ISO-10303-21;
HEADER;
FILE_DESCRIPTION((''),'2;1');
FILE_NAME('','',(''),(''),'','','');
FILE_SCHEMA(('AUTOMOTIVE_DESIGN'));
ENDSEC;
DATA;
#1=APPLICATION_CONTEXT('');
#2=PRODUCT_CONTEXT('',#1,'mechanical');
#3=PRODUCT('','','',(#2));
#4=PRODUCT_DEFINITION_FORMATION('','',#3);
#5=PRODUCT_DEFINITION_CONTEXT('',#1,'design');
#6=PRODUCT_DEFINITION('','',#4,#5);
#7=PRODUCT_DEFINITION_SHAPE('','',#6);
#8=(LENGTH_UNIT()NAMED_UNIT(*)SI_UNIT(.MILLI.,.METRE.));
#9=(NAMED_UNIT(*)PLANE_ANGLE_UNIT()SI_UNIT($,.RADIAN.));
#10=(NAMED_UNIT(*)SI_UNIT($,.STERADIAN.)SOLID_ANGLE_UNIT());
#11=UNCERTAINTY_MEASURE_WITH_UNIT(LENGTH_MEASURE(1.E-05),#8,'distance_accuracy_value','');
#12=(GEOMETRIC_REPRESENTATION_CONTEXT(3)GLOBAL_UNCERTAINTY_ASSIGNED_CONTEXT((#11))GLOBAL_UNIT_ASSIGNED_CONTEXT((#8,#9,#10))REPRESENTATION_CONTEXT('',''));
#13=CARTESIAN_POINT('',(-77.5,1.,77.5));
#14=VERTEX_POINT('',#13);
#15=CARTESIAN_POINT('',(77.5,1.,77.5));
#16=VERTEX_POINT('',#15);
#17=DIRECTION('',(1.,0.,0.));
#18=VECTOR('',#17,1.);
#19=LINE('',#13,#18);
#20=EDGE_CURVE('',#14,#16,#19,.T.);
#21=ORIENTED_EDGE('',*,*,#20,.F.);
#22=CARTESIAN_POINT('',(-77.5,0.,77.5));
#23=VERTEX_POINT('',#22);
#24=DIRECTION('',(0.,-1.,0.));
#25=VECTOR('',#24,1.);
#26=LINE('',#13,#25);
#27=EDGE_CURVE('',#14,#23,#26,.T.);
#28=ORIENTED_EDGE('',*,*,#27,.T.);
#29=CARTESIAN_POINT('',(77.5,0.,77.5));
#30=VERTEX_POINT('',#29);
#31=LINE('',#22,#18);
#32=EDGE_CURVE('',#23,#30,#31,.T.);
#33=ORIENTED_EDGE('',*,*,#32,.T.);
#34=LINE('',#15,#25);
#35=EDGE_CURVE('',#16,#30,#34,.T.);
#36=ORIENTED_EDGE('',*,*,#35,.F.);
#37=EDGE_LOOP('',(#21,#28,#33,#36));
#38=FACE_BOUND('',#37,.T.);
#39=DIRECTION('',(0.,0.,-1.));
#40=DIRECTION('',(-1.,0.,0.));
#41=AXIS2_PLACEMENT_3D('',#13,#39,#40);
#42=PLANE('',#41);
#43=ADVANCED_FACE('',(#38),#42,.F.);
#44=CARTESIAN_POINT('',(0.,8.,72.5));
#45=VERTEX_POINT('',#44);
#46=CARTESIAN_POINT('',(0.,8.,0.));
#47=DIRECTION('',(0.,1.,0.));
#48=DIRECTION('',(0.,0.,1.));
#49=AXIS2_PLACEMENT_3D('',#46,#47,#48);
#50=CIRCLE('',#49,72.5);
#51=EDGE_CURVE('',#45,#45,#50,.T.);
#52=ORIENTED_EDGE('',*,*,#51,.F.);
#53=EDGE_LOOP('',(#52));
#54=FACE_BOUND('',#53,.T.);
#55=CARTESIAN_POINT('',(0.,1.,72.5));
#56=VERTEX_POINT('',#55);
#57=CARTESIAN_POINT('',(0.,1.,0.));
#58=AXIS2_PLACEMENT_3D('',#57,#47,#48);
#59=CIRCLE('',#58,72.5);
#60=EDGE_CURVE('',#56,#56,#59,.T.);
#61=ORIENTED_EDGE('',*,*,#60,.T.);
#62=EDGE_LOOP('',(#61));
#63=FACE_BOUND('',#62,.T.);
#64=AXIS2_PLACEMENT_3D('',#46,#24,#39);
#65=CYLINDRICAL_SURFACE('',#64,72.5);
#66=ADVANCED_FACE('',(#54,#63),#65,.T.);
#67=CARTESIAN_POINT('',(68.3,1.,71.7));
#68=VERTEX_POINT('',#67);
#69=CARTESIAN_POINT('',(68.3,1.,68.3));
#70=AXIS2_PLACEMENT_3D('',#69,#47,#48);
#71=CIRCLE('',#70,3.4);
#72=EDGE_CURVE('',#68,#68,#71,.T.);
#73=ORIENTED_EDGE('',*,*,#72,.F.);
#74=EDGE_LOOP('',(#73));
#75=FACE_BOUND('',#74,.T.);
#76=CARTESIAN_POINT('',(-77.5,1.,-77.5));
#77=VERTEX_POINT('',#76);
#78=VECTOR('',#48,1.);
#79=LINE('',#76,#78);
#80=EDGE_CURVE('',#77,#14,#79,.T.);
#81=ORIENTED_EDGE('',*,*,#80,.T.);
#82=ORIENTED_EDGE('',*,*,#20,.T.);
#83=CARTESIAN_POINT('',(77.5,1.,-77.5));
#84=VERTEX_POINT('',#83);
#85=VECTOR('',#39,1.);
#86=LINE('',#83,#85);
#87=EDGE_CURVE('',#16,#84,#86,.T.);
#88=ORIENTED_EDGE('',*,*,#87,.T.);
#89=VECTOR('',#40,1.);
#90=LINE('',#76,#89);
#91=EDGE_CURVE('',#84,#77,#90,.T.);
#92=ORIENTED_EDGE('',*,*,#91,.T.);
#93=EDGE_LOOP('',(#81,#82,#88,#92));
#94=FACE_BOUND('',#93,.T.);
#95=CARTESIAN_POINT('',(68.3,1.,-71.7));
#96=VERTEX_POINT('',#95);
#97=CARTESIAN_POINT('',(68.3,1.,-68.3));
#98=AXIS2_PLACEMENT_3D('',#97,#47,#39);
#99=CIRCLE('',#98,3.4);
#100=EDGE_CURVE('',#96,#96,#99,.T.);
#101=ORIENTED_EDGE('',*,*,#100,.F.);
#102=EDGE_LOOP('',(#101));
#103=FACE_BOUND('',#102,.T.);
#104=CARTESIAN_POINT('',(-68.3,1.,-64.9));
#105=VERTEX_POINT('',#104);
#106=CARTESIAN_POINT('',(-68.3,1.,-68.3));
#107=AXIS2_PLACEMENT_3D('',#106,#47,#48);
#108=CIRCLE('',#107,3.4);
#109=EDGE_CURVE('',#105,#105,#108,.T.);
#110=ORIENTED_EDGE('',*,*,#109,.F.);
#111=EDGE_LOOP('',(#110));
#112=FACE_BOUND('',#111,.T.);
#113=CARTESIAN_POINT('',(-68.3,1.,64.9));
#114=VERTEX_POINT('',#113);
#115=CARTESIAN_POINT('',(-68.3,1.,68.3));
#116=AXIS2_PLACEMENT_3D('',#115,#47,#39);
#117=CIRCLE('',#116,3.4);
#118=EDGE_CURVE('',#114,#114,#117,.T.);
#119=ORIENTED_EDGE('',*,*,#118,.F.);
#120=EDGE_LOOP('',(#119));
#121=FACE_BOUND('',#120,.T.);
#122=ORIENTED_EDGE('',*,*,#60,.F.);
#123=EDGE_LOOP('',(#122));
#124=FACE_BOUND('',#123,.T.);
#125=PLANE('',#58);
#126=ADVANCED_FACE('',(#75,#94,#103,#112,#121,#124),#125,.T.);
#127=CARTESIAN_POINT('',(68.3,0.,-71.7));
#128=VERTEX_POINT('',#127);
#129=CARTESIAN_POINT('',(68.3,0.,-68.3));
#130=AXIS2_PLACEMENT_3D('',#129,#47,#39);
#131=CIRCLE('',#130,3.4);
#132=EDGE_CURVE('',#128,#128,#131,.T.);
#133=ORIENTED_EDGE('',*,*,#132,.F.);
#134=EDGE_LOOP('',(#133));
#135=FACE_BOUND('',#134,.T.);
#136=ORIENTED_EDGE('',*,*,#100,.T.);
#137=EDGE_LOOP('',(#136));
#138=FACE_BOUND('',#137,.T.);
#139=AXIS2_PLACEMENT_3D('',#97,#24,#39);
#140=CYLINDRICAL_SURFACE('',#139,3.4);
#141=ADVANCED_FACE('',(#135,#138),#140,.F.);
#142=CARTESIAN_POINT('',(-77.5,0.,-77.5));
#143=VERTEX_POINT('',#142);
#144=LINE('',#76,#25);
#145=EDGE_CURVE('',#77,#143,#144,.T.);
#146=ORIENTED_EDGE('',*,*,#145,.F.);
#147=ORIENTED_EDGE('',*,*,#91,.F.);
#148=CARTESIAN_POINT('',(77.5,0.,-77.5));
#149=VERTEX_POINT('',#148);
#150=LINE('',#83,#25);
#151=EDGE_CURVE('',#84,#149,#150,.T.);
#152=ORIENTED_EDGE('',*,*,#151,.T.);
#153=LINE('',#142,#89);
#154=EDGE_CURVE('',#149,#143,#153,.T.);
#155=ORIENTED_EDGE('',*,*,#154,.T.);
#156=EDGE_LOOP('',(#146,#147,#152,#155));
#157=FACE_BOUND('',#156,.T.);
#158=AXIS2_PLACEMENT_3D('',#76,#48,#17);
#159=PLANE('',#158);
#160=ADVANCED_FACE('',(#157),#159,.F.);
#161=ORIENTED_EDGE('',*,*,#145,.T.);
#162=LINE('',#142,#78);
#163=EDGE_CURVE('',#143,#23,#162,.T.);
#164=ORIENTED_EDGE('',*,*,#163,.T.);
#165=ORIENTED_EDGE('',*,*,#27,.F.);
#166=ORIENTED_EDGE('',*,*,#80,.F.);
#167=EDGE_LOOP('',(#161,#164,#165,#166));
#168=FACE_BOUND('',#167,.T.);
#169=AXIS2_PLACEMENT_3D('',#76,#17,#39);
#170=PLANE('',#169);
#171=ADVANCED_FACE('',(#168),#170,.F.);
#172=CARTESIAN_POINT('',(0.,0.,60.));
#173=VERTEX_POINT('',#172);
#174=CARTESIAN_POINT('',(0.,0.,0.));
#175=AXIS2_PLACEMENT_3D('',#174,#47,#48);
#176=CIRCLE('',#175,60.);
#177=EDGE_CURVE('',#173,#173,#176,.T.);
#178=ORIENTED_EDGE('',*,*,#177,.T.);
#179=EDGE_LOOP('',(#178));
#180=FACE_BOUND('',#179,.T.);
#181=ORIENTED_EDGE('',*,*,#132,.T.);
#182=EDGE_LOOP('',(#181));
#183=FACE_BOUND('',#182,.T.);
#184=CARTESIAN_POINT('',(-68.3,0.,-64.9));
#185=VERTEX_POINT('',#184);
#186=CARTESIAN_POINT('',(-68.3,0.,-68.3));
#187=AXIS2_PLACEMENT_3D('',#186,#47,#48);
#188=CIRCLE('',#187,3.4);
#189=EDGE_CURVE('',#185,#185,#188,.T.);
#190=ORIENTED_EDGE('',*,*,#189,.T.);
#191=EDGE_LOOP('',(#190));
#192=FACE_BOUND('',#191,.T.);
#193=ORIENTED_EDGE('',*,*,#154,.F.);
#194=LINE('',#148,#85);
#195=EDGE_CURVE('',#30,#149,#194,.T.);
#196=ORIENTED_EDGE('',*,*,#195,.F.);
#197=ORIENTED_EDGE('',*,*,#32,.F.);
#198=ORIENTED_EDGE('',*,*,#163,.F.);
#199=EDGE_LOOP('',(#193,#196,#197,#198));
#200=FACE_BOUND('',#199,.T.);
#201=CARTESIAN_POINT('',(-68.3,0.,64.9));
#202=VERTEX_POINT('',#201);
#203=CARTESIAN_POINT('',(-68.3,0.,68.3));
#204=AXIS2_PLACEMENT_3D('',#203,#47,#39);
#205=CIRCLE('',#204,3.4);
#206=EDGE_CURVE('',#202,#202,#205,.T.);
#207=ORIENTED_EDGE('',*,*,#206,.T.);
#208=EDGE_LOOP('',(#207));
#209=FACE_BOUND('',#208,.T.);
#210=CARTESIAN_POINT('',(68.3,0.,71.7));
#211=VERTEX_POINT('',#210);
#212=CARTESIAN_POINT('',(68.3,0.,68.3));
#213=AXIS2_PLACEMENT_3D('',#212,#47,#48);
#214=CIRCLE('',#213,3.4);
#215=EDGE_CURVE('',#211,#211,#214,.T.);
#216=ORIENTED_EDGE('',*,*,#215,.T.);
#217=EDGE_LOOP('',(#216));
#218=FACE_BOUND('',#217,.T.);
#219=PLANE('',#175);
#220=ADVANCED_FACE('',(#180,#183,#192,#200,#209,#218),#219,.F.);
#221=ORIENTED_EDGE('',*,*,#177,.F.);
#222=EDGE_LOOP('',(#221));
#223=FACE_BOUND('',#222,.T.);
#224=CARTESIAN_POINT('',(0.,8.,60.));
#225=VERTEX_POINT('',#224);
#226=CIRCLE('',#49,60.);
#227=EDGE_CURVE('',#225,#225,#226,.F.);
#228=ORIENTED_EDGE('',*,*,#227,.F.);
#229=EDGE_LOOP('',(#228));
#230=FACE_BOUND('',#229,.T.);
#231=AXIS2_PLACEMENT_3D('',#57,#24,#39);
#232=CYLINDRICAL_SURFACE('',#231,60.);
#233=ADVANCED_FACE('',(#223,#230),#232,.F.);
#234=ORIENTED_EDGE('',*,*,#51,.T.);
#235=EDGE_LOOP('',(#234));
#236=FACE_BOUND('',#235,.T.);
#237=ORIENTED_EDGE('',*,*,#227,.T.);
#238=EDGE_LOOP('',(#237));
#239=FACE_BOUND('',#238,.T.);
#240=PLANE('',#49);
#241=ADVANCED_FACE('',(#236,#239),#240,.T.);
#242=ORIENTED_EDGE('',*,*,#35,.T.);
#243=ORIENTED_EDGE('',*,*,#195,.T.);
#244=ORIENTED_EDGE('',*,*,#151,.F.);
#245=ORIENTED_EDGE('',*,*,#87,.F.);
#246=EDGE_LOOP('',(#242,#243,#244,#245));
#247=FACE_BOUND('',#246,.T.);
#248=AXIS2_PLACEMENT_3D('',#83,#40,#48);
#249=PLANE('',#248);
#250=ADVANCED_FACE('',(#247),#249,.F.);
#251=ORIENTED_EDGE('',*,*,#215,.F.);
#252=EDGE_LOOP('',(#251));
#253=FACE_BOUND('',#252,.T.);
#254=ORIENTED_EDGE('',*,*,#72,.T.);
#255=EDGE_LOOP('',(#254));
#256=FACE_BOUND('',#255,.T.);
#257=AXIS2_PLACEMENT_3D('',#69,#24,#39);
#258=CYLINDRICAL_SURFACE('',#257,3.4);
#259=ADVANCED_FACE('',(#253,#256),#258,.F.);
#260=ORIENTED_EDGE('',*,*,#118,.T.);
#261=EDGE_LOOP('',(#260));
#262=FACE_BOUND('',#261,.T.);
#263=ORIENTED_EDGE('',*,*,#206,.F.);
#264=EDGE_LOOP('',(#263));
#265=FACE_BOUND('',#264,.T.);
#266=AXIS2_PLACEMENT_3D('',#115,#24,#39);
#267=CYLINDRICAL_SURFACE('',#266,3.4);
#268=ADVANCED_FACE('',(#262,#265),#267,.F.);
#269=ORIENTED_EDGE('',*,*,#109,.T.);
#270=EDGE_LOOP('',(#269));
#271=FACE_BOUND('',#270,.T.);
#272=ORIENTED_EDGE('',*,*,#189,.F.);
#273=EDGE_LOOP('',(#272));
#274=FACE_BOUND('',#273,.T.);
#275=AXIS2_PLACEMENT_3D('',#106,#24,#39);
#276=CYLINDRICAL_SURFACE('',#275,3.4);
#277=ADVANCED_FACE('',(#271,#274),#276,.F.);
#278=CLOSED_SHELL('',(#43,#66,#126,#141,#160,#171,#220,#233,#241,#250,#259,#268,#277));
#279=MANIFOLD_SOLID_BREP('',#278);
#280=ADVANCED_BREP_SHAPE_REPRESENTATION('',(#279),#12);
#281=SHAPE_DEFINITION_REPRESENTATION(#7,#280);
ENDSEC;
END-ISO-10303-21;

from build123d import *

# Parameters (mm, degrees)
SKETCH1_W           = 155
SKETCH1_H           = 155
SKETCH1_R           = 60
SKETCH1_R_2         = 3.4
BOSS_EXTRUDE1_DEPTH = 1
SKETCH2_R           = 72.5
SKETCH2_R_2         = 60
BOSS_EXTRUDE2_DEPTH = 7


with BuildPart() as part:
    # Sketch1 → Boss-Extrude1 (new body)
    with BuildSketch(Plane(origin=(0, 0, 0), x_dir=(1, 0, 0), z_dir=(0, 1, 0))):
        Rectangle(SKETCH1_W, SKETCH1_H)
        with Locations(Location((0, 0, 0), (0, 0, 270))):
            Circle(SKETCH1_R, mode=Mode.SUBTRACT)
        with Locations(Location((-68.3, 68.3, 0), (0, 0, 270))):
            Circle(SKETCH1_R_2, mode=Mode.SUBTRACT)
        with Locations(Location((68.3, 68.3, 0), (0, 0, 90))):
            Circle(SKETCH1_R_2, mode=Mode.SUBTRACT)
        with Locations(Location((-68.3, -68.3, 0), (0, 0, 90))):
            Circle(SKETCH1_R_2, mode=Mode.SUBTRACT)
        with Locations(Location((68.3, -68.3, 0), (0, 0, 270))):
            Circle(SKETCH1_R_2, mode=Mode.SUBTRACT)
    extrude(amount=BOSS_EXTRUDE1_DEPTH)

    # Sketch2 → Boss-Extrude2 (add)
    with BuildSketch(Plane(origin=(0, 1, 0), x_dir=(1, 0, 0), z_dir=(0, 1, 0))):
        with Locations(Location((0, 0, 0), (0, 0, 270))):
            Circle(SKETCH2_R)
        with Locations(Location((0, 0, 0), (0, 0, 270))):
            Circle(SKETCH2_R_2, mode=Mode.SUBTRACT)
    extrude(amount=BOSS_EXTRUDE2_DEPTH)


solid = part.part
